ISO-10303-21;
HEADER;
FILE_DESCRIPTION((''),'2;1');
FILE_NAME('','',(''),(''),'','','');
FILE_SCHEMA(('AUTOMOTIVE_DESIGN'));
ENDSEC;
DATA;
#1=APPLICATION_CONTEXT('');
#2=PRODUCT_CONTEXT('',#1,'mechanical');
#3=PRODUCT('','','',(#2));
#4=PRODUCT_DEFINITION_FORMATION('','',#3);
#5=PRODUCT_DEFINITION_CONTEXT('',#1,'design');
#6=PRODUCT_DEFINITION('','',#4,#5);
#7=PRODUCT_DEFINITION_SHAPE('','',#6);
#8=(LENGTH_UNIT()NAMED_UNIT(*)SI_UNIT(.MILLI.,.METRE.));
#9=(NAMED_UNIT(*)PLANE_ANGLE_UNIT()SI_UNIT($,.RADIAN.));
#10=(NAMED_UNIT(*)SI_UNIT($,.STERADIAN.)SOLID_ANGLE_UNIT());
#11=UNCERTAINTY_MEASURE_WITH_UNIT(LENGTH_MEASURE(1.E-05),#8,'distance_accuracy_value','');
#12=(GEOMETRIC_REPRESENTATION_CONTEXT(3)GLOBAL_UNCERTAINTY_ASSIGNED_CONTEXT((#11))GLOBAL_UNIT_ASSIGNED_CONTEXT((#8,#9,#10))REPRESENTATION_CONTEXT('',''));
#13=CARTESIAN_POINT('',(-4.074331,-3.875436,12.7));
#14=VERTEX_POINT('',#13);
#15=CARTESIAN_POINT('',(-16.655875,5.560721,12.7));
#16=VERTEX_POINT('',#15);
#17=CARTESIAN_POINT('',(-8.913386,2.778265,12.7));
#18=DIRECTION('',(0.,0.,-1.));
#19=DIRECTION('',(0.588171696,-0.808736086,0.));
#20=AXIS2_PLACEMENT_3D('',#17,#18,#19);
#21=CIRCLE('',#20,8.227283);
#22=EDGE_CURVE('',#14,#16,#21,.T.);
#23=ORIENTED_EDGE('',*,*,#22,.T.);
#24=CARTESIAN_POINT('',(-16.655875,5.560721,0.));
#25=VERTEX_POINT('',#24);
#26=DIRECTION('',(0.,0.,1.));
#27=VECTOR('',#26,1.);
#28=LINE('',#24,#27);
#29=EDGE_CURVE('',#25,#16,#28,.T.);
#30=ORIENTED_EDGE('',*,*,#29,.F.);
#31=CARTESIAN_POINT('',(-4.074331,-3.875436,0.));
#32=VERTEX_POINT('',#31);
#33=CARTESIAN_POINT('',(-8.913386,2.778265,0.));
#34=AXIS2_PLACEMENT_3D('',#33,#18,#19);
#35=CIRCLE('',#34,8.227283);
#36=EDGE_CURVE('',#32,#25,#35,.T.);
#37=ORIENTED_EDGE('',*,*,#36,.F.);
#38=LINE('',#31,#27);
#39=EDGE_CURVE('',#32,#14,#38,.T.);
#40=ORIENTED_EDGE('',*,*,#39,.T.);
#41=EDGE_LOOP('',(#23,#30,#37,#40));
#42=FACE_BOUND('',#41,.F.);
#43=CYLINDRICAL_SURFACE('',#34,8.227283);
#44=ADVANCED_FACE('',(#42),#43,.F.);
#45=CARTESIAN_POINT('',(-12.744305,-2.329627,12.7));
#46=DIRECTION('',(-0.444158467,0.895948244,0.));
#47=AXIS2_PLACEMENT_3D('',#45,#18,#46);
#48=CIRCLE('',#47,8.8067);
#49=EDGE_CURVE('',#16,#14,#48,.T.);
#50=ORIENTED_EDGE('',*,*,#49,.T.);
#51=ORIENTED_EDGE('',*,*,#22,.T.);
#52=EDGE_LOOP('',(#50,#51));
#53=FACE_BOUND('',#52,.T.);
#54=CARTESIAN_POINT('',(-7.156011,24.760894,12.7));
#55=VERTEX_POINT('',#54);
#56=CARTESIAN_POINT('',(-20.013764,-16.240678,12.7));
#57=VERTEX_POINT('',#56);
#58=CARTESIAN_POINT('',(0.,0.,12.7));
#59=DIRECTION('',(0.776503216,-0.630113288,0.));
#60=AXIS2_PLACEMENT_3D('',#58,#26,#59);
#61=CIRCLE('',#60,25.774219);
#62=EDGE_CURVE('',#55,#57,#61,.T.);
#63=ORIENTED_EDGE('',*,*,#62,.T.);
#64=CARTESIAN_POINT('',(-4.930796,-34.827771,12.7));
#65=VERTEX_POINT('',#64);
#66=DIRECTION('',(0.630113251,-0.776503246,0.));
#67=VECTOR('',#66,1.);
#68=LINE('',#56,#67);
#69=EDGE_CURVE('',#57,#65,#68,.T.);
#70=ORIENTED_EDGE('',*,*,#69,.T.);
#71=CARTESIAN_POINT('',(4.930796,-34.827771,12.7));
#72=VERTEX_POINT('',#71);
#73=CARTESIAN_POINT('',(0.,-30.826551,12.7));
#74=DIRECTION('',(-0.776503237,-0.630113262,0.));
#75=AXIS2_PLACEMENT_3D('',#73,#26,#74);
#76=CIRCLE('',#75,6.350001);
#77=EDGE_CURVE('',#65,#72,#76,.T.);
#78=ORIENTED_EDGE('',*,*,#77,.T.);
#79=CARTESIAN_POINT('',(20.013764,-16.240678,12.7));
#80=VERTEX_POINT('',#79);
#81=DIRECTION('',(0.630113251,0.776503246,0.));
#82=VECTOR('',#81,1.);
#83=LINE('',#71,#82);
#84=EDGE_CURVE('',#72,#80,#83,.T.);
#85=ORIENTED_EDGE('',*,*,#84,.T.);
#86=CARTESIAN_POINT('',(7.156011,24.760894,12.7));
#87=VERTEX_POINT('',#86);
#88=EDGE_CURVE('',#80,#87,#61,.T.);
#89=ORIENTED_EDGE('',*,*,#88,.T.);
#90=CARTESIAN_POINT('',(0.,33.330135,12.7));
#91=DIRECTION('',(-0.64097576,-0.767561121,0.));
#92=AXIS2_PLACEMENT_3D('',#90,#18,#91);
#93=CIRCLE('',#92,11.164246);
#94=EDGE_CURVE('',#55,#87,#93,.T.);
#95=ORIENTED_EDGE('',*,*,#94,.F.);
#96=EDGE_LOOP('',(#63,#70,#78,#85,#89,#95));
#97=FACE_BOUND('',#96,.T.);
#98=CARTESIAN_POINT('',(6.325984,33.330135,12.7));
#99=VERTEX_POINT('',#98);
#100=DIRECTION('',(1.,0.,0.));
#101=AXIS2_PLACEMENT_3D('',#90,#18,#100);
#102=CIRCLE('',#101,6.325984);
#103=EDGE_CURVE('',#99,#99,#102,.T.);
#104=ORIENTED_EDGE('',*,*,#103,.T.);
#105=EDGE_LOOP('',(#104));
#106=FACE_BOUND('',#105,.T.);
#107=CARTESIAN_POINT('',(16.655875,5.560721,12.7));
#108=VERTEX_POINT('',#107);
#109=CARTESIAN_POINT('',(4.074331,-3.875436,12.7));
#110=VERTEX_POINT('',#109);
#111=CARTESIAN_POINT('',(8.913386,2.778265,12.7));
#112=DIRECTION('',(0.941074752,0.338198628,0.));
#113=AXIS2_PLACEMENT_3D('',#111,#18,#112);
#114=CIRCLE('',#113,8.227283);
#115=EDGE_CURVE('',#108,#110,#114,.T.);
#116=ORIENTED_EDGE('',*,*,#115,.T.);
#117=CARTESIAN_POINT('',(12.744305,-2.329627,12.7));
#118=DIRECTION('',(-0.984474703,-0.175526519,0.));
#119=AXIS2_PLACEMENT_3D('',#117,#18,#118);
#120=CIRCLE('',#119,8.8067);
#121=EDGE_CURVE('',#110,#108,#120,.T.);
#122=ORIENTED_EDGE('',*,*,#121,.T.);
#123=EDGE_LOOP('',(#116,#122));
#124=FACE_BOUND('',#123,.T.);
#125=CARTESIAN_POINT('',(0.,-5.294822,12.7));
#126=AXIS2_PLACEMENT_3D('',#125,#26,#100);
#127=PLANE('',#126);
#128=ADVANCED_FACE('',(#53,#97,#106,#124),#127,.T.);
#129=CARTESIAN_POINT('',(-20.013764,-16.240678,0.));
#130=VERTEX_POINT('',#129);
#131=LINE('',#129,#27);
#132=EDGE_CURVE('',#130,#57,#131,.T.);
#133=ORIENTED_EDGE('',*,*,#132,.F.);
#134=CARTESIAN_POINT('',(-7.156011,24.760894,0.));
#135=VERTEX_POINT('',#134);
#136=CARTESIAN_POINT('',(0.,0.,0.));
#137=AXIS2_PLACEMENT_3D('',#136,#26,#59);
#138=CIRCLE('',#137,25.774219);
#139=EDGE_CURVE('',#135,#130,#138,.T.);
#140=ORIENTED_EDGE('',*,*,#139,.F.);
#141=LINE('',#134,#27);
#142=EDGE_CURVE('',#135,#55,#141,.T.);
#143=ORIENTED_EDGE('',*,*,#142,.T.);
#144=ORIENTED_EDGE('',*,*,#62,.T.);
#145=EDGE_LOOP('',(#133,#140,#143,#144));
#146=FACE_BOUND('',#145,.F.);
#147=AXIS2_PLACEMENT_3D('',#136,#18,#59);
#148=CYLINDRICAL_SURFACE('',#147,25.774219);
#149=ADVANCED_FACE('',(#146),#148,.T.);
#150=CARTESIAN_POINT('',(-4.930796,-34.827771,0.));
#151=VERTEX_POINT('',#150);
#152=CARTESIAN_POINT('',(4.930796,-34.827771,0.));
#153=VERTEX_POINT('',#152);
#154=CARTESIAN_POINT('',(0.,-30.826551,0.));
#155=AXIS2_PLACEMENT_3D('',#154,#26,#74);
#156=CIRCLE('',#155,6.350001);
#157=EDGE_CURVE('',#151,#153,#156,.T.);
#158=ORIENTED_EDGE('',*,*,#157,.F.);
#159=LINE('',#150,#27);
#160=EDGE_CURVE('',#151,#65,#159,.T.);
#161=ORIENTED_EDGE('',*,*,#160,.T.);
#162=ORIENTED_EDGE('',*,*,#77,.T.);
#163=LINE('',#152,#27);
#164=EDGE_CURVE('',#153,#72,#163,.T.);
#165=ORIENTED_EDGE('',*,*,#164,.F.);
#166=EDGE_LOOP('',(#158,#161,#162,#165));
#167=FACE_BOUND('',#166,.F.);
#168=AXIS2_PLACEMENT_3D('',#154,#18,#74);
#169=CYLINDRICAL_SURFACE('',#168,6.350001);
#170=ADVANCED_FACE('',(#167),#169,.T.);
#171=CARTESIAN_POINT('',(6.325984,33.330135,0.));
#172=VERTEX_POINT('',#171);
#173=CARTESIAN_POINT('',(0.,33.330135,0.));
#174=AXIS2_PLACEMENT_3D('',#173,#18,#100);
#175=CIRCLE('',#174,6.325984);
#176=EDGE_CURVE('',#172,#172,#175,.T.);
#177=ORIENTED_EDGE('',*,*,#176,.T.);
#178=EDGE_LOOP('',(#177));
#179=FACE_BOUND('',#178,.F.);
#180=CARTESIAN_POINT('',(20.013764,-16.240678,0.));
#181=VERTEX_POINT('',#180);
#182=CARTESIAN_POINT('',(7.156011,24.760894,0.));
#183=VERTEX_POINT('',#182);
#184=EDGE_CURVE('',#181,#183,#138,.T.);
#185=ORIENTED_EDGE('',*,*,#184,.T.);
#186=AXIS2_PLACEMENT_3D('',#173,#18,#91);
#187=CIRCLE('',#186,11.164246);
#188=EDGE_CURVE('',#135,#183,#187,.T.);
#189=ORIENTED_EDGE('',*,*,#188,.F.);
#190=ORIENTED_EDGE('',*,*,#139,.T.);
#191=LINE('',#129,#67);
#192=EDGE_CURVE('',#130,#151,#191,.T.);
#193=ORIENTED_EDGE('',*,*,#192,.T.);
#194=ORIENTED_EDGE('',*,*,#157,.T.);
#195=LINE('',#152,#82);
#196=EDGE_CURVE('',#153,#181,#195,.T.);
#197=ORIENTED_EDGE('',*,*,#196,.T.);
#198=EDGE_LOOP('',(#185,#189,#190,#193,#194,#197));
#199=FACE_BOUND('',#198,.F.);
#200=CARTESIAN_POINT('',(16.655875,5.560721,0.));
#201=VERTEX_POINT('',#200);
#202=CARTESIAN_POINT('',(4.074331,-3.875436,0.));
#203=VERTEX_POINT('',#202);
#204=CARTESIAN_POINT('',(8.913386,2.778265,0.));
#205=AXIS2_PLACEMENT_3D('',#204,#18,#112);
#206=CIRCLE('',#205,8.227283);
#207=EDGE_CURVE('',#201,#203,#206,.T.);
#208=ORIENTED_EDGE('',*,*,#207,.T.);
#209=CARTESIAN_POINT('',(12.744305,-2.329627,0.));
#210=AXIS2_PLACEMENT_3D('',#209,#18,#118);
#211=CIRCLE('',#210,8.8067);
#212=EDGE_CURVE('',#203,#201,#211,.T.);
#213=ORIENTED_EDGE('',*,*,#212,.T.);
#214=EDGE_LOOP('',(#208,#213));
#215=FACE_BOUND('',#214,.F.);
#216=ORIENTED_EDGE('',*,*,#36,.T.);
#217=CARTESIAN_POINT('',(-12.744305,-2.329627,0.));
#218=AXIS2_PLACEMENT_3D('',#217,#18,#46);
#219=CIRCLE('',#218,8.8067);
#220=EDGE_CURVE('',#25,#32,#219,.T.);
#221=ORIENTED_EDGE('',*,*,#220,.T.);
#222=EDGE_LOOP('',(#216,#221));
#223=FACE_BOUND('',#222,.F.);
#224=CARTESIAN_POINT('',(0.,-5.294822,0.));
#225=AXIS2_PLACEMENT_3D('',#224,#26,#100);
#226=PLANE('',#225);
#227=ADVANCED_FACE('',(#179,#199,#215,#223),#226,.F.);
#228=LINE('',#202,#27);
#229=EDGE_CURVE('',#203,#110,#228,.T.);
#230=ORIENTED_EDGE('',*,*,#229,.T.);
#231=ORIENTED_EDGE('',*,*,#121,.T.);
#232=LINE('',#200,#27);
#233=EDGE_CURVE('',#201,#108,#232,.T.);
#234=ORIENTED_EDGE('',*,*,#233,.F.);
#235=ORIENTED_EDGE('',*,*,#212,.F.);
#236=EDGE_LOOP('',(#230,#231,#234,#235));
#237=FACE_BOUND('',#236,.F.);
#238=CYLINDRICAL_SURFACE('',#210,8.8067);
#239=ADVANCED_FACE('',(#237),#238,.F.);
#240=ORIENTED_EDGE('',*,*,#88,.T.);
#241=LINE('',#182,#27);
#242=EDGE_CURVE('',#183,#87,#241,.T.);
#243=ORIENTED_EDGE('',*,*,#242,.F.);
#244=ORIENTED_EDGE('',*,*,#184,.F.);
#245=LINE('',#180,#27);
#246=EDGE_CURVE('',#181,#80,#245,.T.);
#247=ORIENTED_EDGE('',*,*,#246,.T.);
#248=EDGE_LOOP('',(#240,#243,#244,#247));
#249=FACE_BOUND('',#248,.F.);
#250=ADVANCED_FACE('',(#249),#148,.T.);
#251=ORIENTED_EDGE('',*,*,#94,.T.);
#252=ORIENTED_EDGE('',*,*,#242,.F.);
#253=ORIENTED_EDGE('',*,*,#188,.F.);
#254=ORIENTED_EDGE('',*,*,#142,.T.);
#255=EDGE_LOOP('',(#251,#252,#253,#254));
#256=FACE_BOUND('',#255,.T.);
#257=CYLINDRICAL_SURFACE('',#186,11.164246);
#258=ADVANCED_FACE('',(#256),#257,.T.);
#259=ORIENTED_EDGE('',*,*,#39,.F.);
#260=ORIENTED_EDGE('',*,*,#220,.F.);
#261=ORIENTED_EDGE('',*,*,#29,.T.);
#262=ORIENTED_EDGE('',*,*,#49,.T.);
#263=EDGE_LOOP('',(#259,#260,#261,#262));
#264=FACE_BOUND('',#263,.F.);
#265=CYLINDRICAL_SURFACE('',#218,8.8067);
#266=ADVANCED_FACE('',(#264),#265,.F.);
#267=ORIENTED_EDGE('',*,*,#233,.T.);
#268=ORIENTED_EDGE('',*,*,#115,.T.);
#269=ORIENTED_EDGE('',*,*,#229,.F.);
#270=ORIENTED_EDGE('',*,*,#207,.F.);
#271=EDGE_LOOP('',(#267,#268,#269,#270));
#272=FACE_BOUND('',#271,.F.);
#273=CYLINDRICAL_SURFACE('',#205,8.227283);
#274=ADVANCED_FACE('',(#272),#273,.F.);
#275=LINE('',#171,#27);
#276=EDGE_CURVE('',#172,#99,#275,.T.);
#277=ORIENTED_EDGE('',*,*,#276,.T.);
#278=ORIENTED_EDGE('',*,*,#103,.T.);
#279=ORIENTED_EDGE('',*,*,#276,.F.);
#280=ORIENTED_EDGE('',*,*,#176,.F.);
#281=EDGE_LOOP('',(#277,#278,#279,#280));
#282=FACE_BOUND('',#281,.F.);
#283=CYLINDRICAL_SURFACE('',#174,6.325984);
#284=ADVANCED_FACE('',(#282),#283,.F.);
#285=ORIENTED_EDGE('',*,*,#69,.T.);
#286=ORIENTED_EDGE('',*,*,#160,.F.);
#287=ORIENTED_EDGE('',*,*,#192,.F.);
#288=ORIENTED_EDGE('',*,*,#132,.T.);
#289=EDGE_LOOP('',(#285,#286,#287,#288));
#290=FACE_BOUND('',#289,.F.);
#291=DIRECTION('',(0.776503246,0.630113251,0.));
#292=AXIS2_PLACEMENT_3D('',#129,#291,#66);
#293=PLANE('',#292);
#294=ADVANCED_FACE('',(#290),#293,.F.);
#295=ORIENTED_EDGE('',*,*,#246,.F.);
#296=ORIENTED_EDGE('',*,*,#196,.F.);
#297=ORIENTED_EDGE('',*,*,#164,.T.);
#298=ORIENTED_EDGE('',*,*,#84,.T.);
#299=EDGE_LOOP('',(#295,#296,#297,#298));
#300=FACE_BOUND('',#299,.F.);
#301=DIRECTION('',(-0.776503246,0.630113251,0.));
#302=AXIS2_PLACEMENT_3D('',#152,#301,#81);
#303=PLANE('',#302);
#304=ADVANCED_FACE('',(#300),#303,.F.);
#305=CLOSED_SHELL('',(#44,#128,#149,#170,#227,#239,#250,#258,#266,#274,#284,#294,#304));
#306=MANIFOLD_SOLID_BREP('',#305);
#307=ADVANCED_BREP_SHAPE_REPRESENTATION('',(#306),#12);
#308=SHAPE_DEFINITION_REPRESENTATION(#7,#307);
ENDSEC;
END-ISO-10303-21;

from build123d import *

# Parameters (mm, degrees)
F1_DEPTH = 12.7
F2_R     = 6.325984
F3_DEPTH = 12.7


with BuildPart() as f1:
    # F0 (on Top) → F1 (new body)
    with BuildSketch(Plane.XY):
        with BuildLine():
            Line((4.930796, -34.827771), (20.013764, -16.240678))
            ThreePointArc((20.013764, -16.240678), (0, 25.774219), (-20.013764, -16.240678))
            Line((-20.013764, -16.240678), (-4.930796, -34.827771))
            ThreePointArc((-4.930796, -34.827771), (0, -37.176552), (4.930796, -34.827771))
        make_face()
        with BuildLine():
            ThreePointArc((-16.655875, 5.560721), (-7.460285, 4.715734), (-4.074331, -3.875436))
            ThreePointArc((-4.074331, -3.875436), (-13.849756, -3.803562), (-16.655875, 5.560721))
        make_face(mode=Mode.SUBTRACT)
        with BuildLine():
            ThreePointArc((16.655875, 5.560721), (13.849756, -3.803562), (4.074331, -3.875436))
            ThreePointArc((4.074331, -3.875436), (7.460285, 4.715734), (16.655875, 5.560721))
        make_face(mode=Mode.SUBTRACT)
    extrude(amount=F1_DEPTH)

    # F2 (on face) → F3 (join)
    with BuildSketch(Plane(origin=(0, 0, 0), x_dir=(1, 0, 0), z_dir=(0, 0, -1))):
        with BuildLine():
            ThreePointArc((7.156011, -24.760894), (0, -25.774219), (-7.156011, -24.760894))
            ThreePointArc((-7.156011, -24.760894), (0, -44.494381), (7.156011, -24.760894))
        make_face()
        with Locations((0, -33.330135)):
            Circle(F2_R, mode=Mode.SUBTRACT)
    extrude(amount=-F3_DEPTH)


solid = f1.part
